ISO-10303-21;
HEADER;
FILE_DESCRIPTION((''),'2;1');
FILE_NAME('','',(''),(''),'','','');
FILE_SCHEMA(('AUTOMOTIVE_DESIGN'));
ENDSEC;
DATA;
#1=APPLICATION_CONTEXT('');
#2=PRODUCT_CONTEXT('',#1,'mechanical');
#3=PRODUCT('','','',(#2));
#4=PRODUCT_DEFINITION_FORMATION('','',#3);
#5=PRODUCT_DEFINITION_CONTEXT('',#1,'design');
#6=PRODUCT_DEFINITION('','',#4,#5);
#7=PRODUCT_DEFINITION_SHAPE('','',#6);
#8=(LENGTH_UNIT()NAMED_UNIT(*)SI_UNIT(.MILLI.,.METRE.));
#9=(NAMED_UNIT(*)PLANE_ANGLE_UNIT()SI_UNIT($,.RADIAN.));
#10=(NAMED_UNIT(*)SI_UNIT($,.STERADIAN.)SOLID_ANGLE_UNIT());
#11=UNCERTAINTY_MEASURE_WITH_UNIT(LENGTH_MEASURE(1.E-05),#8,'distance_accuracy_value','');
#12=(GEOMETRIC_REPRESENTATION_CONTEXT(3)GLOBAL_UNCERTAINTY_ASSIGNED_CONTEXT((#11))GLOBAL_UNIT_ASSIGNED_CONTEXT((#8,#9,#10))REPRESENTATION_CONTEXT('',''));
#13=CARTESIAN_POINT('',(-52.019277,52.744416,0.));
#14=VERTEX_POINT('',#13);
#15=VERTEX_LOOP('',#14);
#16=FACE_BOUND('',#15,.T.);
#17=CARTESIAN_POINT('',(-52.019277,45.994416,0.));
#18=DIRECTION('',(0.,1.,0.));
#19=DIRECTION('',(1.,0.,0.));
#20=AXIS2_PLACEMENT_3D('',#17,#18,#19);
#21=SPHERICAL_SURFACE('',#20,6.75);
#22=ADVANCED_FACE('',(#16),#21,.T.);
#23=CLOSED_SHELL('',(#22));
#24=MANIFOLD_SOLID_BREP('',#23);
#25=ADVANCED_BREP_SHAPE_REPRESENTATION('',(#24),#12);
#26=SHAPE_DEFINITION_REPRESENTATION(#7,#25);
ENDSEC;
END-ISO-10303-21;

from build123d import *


with BuildPart() as part:
    # Croquis1 → Revolución1 (revolve)
    with BuildSketch(Plane.XY):
        with BuildLine():
            Line((-52.019276555, 52.744416346), (-52.019276555, 39.244416346))
            ThreePointArc((-52.019276555, 39.244416346), (-45.269276555, 45.994416346), (-52.019276555, 52.744416346))
        make_face()
    revolve(axis=Axis((-52.019276555, 52.744416346, 0), (0, -1, 0)))


solid = part.part
